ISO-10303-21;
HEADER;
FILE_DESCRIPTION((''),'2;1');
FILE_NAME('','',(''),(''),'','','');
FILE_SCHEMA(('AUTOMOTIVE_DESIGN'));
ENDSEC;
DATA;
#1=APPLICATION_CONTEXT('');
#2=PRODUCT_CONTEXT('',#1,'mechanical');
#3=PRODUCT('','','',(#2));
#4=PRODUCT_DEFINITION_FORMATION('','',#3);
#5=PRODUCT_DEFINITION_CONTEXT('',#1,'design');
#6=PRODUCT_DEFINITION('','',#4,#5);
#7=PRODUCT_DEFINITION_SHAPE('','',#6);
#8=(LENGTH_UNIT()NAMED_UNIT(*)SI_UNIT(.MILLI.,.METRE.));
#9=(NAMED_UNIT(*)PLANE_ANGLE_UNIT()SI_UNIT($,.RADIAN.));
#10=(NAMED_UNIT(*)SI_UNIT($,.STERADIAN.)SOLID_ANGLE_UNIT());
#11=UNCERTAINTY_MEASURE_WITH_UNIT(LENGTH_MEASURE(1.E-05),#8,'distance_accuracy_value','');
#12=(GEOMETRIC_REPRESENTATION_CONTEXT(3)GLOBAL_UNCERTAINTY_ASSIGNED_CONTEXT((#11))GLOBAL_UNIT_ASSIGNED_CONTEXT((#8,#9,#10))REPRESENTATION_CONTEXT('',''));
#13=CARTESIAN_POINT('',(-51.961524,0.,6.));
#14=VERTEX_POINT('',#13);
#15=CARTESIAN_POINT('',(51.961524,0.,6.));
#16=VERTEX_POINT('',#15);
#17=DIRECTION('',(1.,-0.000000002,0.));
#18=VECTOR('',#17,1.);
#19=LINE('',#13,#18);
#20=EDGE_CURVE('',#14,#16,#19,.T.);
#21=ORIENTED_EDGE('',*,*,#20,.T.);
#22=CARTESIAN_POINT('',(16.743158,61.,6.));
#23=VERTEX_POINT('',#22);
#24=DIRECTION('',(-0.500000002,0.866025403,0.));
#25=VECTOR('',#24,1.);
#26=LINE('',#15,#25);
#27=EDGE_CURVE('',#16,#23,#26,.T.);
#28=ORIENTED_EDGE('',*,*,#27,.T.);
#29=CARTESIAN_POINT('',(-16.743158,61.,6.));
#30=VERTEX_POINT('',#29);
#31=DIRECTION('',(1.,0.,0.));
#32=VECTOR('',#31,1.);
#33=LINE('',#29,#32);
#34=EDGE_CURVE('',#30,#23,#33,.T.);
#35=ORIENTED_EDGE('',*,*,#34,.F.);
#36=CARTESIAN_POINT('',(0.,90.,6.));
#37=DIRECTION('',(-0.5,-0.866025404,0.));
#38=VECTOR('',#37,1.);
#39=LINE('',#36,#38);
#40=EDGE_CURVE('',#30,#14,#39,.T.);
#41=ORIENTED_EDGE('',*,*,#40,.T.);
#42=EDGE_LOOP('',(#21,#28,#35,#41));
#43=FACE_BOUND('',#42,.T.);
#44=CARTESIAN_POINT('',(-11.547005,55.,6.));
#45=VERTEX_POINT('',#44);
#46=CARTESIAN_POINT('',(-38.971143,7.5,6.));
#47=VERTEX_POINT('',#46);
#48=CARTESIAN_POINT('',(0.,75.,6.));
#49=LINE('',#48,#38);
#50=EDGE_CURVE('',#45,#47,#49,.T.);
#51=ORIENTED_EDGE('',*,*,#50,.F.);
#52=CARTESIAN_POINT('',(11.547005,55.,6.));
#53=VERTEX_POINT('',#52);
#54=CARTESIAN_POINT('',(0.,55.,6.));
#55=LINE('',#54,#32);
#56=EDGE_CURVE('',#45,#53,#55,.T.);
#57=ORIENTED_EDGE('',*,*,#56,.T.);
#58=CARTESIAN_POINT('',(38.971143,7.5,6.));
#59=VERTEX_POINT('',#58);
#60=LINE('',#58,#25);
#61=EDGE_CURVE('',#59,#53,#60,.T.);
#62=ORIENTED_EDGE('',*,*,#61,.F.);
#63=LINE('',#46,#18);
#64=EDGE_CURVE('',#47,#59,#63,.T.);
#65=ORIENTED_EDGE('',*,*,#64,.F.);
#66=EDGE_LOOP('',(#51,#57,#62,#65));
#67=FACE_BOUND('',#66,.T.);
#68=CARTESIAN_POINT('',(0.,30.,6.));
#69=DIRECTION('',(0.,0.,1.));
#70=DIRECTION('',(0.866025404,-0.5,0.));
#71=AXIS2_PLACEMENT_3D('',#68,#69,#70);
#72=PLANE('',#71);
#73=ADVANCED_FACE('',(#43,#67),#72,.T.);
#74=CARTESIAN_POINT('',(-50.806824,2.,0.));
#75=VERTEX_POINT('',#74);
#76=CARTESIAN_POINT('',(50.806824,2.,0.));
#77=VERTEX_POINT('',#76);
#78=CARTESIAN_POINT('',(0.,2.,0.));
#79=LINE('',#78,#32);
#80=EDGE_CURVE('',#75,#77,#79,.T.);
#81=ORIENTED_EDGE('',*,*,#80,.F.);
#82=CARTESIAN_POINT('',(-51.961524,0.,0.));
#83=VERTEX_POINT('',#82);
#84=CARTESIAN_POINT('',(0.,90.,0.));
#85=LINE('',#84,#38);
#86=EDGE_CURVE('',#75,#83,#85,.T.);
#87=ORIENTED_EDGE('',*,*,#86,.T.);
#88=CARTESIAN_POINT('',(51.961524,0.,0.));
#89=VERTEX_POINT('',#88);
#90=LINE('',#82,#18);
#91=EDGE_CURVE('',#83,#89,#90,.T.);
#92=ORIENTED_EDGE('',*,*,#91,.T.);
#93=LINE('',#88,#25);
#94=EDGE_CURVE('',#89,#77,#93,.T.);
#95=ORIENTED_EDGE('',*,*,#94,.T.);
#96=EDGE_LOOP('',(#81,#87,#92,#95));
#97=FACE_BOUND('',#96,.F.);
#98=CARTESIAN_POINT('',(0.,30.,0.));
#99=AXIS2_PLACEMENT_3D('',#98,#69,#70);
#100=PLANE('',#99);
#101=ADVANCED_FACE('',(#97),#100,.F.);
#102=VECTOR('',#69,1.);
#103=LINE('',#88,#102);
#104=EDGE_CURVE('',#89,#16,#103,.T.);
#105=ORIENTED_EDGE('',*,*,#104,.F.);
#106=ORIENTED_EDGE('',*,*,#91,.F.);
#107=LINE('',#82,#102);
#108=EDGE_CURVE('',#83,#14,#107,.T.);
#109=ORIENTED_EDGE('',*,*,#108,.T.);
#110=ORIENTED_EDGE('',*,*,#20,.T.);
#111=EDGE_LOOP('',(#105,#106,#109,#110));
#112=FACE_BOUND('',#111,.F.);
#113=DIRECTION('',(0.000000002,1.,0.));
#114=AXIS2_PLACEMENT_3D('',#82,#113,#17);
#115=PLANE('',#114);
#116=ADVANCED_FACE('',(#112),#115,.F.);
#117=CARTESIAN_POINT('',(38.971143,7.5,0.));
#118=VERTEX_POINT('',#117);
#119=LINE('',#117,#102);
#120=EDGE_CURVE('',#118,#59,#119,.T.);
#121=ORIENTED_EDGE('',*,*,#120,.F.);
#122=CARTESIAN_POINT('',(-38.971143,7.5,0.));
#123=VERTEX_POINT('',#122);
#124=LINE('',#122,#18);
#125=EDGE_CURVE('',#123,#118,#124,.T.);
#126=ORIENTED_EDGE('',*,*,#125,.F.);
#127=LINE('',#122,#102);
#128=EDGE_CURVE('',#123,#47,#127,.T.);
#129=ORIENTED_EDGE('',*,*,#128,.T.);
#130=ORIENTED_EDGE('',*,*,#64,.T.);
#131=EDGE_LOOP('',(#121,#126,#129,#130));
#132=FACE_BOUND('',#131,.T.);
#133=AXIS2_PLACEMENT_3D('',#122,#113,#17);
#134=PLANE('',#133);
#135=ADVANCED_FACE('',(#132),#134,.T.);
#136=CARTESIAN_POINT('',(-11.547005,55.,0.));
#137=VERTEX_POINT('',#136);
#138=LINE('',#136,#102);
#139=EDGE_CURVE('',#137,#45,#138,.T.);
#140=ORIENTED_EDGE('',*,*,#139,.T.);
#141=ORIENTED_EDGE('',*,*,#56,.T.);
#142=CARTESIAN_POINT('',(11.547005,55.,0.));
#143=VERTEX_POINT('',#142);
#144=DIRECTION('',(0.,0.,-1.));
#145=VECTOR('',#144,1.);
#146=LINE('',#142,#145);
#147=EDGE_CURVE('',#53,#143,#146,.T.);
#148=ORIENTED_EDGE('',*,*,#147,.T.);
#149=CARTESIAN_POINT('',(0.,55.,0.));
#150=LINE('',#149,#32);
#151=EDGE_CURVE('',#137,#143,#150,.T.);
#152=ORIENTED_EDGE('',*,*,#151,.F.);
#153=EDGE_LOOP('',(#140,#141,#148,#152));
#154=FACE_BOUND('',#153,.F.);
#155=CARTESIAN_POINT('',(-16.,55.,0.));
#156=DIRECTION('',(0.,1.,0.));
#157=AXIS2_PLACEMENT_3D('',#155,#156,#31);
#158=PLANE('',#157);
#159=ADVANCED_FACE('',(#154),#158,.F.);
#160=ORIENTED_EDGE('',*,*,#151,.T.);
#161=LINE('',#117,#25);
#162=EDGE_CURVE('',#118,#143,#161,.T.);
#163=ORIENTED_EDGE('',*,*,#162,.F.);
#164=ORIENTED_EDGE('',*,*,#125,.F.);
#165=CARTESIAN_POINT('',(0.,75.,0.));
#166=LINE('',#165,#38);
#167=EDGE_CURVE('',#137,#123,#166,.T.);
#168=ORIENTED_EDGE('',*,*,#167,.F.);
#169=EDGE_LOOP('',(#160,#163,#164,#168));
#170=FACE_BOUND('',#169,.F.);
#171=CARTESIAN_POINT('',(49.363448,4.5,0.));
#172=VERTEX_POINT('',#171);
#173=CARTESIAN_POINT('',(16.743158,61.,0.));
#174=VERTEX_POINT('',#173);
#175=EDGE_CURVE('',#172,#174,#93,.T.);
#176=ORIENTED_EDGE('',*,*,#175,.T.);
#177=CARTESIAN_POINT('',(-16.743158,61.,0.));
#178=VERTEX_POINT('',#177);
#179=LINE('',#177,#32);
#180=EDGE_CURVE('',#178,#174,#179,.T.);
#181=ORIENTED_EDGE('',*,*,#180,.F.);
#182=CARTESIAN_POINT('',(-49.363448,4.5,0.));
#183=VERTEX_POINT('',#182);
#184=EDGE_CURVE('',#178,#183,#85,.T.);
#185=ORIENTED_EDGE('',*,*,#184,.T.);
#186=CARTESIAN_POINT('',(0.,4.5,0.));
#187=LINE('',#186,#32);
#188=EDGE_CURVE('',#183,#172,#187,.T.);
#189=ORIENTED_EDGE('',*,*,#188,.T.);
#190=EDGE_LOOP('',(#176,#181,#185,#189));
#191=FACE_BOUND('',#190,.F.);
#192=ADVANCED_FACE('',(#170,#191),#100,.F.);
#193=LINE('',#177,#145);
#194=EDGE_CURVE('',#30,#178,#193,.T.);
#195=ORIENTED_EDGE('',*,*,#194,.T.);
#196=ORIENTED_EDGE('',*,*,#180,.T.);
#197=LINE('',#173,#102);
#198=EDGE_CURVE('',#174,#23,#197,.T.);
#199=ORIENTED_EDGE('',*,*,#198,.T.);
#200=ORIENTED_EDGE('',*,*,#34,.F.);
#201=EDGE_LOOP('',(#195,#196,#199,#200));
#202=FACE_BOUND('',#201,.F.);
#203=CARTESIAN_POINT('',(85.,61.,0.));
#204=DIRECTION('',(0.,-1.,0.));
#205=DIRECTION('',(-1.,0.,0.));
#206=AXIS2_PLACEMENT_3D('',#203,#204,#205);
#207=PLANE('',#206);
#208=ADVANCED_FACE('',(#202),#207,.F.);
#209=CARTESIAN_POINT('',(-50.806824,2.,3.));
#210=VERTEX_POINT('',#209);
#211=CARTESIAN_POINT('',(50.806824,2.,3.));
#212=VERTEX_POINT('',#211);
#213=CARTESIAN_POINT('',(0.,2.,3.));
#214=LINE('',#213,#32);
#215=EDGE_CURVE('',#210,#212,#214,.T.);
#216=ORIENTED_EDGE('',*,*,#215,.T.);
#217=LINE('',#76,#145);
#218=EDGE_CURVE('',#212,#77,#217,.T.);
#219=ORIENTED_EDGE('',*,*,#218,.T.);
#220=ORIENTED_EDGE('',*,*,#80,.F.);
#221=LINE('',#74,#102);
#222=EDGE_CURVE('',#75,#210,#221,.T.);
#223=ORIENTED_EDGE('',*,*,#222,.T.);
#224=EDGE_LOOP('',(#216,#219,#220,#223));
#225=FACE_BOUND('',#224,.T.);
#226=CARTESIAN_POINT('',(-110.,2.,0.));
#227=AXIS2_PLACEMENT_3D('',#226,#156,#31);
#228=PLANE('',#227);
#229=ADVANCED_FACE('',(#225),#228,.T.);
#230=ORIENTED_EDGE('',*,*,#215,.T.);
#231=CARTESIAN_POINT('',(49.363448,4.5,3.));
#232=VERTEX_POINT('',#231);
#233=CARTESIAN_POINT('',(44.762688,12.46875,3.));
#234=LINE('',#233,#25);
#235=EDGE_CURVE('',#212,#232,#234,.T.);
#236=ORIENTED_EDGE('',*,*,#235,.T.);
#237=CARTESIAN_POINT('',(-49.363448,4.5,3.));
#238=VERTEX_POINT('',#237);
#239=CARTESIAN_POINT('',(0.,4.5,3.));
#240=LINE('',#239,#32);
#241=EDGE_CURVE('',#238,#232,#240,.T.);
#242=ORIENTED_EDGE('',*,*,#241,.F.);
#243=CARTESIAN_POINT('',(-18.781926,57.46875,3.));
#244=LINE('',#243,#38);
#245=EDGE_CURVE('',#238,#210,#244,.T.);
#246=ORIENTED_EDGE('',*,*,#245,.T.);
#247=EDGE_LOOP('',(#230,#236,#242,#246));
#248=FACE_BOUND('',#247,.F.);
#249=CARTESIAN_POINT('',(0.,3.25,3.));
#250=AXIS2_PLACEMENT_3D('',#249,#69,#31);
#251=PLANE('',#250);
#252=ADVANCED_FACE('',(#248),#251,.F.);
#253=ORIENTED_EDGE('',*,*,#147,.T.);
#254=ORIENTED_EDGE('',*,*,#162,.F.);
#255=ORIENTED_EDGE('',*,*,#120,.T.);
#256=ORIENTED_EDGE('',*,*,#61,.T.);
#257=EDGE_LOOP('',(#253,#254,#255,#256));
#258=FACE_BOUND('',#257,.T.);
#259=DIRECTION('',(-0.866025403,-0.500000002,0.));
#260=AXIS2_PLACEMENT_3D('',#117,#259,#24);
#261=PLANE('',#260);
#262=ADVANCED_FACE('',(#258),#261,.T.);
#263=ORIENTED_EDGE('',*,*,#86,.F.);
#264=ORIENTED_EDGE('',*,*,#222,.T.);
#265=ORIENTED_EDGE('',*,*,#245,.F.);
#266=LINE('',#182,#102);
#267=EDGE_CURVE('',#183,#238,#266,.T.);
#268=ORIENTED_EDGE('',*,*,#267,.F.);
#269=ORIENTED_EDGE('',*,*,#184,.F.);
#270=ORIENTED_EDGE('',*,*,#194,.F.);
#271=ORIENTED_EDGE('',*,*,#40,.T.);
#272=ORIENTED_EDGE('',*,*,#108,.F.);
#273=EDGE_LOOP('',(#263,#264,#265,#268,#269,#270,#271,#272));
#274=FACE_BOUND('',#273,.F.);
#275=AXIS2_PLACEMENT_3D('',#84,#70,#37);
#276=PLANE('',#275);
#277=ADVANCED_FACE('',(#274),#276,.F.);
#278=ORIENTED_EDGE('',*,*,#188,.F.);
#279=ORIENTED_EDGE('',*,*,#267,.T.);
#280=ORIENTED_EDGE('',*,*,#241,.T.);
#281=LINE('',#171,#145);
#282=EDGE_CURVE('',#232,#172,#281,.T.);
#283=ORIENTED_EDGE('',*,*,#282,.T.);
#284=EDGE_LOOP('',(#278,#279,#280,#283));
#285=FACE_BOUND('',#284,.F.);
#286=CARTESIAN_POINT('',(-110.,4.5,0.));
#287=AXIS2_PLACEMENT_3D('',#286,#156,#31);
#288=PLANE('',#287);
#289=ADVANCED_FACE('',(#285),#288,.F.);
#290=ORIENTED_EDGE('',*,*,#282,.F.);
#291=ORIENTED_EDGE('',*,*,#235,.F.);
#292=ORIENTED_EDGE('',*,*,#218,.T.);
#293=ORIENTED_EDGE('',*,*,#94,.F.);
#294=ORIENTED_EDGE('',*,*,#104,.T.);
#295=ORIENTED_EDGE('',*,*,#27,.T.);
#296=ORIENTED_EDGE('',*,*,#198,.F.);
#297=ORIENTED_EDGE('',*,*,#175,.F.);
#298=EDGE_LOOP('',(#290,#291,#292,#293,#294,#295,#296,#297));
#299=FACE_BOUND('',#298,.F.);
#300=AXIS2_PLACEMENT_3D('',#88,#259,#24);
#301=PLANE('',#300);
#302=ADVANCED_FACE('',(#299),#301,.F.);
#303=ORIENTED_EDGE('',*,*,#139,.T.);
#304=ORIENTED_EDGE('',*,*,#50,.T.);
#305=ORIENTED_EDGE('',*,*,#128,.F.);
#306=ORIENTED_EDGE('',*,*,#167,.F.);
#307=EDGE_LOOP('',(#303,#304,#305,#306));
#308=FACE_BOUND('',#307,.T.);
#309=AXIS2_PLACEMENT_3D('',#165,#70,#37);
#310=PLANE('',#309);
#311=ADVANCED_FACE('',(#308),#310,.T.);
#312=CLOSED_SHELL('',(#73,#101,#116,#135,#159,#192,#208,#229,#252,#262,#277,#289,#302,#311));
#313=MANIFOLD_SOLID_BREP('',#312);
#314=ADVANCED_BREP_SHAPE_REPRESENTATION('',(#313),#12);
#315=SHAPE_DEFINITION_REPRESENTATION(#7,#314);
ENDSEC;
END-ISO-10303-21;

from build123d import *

# Parameters (mm, degrees)
BOX003_W                 = 220
BOX003_H                 = 2.5
BOX003_DEPTH             = 3
EXTRUDE001_DEPTH         = 10
BOX002_W                 = 220
BOX002_H                 = 113
BOX002_DEPTH             = 8
BOX001_W                 = 32
BOX001_H                 = 6
BOX001_DEPTH             = 6
PRISM003_DEPTH           = 6
PRISM003_PLACEMENT_ANGLE = 30
PRISM002_DEPTH           = 6
PRISM002_PLACEMENT_ANGLE = 30


with BuildPart() as cube003:
    # Box003 → Box003 (new body)
    with BuildSketch(Plane(origin=(-110, 2, 0), x_dir=(1, 0, 0), z_dir=(0, 0, 1))):
        with Locations((110, 1.25)):
            Rectangle(BOX003_W, BOX003_H)
    extrude(amount=BOX003_DEPTH)


with BuildPart() as extrude001:
    # Sketch002 → Extrude001 (new body)
    with BuildSketch(Plane.XY):
        Polygon((-95, 0), (95, 0), (85, 61), (-85, 61), align=None)
    extrude(amount=EXTRUDE001_DEPTH)


with BuildPart() as molde_cortador001:
    # Box002 → Box002 (new body)
    with BuildSketch(Plane(origin=(-110, -15, 0), x_dir=(1, 0, 0), z_dir=(0, 0, 1))):
        with Locations((110, 56.5)):
            Rectangle(BOX002_W, BOX002_H)
    extrude(amount=BOX002_DEPTH)

    # Cut002: cut Extrude001
    add(extrude001.part, mode=Mode.SUBTRACT)


with BuildPart() as cube001:
    # Box001 → Box001 (new body)
    with BuildSketch(Plane(origin=(-16, 55, 0), x_dir=(1, 0, 0), z_dir=(0, 0, 1))):
        with Locations((16, 3)):
            Rectangle(BOX001_W, BOX001_H)
    extrude(amount=BOX001_DEPTH)


with BuildPart() as prism003:
    # Prism003 → Prism003 (new body)
    with BuildSketch(Plane.XY):
        Polygon((45, 0), (-22.5, 38.971143), (-22.5, -38.971143), align=None)
    extrude(amount=PRISM003_DEPTH)


with BuildPart() as prism003_1:
    # Prism003 placement: moved
    add(prism003.part.moved(Location((0, 23, 0))).rotate(Axis((0, 23, 0), (0, 0, -1)), PRISM003_PLACEMENT_ANGLE))


with BuildPart() as base_triangulo_con_canaleta:
    # Prism002 → Prism002 (new body)
    with BuildSketch(Plane.XY):
        Polygon((60, 0), (-30, 51.961524), (-30, -51.961524), align=None)
    extrude(amount=PRISM002_DEPTH)


with BuildPart() as base_triangulo_con_canaleta_1:
    # Prism002 placement: moved
    add(base_triangulo_con_canaleta.part.moved(Location((0, 23, 0))).rotate(Axis((0, 23, 0), (0, 0, -1)), PRISM002_PLACEMENT_ANGLE))

    # Cut001: cut Prism003
    add(prism003_1.part, mode=Mode.SUBTRACT)


with BuildPart() as base_triangulo_con_canaleta_2:
    # Cut001 placement: moved
    add(base_triangulo_con_canaleta_1.part.moved(Location((0, 7, 0))))

    # Fusion: union Cube001
    add(cube001.part)

    # Cut003: cut molde_cortador001
    add(molde_cortador001.part, mode=Mode.SUBTRACT)

    # Cut004: cut Cube003
    add(cube003.part, mode=Mode.SUBTRACT)


solid = base_triangulo_con_canaleta_2.part
